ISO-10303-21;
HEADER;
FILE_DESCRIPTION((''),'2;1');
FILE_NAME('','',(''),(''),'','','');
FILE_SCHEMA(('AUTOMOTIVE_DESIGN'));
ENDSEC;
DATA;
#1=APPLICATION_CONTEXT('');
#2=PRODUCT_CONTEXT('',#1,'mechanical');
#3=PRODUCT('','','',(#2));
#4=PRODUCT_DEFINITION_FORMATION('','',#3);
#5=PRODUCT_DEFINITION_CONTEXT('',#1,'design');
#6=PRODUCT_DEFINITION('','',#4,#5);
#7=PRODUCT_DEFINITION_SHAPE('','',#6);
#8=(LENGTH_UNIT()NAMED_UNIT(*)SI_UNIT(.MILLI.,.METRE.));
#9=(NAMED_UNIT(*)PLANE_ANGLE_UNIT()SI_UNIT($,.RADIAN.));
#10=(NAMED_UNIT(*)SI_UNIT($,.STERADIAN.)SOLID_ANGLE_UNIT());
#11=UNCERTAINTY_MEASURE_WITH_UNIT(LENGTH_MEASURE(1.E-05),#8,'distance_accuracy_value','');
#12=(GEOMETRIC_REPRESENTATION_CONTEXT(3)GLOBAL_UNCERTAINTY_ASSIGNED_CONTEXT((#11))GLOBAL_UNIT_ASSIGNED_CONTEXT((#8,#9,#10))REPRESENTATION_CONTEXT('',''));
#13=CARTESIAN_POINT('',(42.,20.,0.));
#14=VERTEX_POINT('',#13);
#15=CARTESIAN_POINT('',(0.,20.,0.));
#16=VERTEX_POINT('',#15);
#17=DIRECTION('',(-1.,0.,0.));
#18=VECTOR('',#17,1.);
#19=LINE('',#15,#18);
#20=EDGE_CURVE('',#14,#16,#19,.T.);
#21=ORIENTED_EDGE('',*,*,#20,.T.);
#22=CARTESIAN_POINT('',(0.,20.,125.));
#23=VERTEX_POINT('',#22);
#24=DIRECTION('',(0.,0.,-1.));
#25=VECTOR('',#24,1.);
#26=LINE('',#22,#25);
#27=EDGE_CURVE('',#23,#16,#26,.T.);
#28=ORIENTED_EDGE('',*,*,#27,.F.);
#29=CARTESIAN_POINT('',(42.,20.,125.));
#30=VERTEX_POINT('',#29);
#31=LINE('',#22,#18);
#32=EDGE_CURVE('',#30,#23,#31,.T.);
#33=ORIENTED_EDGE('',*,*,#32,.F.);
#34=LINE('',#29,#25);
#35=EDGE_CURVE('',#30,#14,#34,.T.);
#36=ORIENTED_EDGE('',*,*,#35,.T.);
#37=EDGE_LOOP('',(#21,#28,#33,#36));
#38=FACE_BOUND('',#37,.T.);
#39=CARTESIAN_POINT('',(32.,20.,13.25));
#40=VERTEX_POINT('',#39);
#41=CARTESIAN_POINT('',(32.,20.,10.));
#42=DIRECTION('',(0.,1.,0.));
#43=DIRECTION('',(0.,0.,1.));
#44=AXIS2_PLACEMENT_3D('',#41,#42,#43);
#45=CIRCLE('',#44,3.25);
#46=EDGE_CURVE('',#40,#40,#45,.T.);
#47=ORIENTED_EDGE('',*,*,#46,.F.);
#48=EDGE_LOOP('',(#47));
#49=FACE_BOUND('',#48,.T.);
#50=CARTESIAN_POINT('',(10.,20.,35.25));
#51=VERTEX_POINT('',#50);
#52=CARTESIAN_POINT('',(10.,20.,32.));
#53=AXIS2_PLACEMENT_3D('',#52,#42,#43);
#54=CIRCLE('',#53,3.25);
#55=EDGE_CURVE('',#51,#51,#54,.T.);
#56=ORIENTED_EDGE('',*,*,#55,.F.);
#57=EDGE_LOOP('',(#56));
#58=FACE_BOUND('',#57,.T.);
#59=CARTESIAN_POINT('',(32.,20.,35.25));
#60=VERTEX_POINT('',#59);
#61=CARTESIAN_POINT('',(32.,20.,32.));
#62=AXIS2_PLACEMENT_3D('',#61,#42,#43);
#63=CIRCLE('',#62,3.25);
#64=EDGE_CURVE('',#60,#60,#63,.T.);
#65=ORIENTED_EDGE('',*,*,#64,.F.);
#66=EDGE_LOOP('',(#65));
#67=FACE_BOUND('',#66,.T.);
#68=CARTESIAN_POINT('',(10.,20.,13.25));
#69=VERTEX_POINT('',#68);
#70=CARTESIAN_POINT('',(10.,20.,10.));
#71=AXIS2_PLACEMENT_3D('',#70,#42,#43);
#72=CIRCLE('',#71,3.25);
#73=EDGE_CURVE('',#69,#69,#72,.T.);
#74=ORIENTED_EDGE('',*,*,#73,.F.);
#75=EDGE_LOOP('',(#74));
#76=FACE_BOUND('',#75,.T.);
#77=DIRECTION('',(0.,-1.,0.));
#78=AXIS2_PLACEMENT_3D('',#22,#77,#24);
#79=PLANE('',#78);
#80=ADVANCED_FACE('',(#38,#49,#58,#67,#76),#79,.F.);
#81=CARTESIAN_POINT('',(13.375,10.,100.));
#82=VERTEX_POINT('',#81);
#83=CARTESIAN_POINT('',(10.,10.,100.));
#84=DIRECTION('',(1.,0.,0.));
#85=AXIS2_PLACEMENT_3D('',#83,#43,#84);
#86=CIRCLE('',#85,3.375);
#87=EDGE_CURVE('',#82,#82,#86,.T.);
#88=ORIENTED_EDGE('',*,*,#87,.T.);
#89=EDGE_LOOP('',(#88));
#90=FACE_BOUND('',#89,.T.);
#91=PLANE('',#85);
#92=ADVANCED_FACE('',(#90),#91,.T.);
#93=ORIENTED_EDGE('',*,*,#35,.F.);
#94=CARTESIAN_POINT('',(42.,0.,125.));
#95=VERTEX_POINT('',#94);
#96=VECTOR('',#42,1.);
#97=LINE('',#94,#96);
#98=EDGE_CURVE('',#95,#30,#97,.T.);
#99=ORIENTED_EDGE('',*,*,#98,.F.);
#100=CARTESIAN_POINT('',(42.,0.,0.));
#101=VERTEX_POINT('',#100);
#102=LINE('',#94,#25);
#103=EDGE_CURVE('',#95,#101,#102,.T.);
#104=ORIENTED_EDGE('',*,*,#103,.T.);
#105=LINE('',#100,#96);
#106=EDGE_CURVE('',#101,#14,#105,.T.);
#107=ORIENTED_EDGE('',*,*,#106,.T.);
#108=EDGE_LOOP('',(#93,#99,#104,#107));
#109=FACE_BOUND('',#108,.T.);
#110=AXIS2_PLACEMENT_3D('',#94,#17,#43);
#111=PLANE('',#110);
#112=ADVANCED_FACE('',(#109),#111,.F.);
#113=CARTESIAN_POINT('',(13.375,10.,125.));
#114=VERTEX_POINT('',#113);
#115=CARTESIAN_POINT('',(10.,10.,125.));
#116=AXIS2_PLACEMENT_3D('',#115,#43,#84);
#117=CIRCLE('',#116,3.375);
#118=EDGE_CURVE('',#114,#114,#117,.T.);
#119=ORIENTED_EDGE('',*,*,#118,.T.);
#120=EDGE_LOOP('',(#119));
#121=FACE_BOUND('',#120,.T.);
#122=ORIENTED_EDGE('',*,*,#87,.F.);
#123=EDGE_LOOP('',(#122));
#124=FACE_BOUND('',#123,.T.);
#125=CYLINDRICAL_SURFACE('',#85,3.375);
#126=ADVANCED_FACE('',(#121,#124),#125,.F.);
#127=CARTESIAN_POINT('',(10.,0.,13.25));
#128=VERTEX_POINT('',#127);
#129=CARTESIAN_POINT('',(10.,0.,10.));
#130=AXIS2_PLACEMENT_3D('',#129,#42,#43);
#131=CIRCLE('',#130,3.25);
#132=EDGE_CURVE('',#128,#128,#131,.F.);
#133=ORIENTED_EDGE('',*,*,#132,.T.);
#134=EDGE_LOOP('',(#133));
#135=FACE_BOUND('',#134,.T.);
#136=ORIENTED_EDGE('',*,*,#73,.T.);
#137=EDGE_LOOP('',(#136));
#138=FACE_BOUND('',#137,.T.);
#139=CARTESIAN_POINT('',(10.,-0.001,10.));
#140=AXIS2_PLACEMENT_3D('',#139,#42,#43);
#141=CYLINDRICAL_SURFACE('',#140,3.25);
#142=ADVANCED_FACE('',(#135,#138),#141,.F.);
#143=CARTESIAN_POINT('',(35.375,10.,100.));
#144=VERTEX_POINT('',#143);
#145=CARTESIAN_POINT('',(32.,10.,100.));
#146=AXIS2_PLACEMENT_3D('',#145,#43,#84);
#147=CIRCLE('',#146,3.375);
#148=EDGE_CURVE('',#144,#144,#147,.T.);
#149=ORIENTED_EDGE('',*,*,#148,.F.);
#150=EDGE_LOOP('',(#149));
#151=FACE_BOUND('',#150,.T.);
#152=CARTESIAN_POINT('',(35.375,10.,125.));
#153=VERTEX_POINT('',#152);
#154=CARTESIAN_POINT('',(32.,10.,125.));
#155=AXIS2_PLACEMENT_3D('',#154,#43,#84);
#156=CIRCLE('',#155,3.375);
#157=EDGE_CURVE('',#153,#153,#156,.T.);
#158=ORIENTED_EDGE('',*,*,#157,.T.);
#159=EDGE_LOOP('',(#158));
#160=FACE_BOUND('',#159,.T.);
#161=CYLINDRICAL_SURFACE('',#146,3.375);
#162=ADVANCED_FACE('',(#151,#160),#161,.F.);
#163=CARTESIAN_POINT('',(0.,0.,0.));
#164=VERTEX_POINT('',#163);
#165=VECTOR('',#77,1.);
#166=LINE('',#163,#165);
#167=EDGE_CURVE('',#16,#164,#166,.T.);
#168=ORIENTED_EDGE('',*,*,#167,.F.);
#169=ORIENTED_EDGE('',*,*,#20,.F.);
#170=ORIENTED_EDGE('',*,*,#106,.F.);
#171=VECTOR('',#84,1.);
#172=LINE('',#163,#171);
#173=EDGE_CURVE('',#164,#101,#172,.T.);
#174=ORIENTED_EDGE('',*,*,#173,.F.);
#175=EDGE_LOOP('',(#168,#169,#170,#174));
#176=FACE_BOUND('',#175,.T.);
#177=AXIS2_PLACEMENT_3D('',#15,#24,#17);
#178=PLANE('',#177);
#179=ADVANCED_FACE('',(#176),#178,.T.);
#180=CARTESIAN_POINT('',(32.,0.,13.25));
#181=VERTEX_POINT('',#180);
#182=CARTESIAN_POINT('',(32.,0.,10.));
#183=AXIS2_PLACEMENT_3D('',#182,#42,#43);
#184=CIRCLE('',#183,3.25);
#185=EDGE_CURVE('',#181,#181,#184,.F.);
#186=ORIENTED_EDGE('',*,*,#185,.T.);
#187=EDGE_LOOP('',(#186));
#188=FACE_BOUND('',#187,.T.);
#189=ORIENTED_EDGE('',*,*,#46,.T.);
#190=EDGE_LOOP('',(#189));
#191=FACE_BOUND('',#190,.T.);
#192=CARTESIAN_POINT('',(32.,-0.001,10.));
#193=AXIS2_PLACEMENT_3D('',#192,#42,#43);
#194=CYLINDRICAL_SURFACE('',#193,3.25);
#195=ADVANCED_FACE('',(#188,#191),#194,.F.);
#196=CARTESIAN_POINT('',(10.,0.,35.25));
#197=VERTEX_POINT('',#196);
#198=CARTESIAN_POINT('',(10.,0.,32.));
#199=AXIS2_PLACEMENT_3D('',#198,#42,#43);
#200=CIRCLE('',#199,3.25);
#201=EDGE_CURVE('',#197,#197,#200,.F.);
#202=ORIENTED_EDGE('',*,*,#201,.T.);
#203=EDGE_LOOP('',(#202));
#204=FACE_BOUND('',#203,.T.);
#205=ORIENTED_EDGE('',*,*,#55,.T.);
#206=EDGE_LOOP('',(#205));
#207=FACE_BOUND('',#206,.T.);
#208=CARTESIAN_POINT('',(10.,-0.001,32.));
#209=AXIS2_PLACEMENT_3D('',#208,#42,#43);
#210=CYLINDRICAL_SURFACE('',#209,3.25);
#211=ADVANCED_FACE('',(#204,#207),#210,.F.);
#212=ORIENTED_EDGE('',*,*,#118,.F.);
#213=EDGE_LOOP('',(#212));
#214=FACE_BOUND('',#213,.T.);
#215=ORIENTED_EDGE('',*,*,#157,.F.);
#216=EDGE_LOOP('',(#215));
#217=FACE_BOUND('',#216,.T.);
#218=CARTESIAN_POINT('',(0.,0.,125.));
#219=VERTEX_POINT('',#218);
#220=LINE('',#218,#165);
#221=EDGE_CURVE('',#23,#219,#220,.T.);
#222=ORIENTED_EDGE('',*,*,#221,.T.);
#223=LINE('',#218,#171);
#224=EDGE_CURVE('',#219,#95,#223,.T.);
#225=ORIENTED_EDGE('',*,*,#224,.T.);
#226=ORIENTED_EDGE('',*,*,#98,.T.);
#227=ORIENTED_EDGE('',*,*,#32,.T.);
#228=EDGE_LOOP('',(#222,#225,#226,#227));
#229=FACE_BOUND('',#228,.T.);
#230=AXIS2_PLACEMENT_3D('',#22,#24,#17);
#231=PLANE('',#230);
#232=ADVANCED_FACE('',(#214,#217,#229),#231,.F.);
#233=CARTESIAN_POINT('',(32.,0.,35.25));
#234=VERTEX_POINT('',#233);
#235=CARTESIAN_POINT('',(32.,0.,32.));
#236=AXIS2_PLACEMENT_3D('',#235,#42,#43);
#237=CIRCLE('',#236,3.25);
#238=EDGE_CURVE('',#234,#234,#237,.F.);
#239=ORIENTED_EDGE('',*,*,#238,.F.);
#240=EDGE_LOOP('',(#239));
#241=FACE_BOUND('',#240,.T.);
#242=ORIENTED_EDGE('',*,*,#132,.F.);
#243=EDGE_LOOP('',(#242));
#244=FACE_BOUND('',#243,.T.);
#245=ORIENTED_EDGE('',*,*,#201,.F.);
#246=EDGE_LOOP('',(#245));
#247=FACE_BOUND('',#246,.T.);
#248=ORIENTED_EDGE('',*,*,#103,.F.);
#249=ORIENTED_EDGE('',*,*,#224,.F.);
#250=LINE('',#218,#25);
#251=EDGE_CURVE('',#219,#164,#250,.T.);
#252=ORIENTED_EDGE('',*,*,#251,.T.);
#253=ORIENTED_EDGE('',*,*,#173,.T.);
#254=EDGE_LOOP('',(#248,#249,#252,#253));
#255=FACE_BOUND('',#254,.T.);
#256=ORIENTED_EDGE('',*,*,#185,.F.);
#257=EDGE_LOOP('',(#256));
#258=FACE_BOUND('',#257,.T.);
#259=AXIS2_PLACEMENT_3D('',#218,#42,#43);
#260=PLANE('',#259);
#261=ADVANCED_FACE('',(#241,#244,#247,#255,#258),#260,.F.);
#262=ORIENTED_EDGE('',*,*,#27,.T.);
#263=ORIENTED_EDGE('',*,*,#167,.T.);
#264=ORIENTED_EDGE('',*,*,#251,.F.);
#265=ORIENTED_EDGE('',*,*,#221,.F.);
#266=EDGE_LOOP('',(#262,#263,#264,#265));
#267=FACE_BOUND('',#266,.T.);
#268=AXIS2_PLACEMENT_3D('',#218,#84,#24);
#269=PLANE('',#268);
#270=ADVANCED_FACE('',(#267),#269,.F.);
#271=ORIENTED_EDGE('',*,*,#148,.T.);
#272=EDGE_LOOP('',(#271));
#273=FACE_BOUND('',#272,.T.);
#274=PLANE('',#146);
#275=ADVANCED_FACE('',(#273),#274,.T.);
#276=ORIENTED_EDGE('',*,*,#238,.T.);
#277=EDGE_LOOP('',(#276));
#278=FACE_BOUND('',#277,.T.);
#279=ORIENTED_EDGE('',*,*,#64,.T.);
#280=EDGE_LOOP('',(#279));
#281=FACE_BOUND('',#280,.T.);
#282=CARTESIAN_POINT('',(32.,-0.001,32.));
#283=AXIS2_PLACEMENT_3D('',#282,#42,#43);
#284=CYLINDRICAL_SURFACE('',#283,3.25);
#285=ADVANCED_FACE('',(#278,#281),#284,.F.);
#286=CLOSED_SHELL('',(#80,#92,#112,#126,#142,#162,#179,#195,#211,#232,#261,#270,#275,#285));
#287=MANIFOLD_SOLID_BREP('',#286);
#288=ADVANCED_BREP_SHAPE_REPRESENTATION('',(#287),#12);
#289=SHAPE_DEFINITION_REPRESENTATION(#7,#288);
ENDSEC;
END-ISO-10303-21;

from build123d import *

# Parameters (mm, degrees)
ESQUISSE1_W             = 42
ESQUISSE1_H             = 20
BASE_EXTRUSION_DEPTH    = 125
ENL_V_MAT_EXTRU_1_REACH = 135.375
ESQUISSE2_R             = 3.25
ESQUISSE3_R             = 3.375
ENL_V_MAT_EXTRU_2_DEPTH = 25


with BuildPart() as part:
    # Esquisse1 → Base-Extrusion (new body)
    with BuildSketch(Plane.XY):
        with Locations((21, 10)):
            Rectangle(ESQUISSE1_W, ESQUISSE1_H)
    extrude(amount=BASE_EXTRUSION_DEPTH)

    # Esquisse2 → Enlèv. mat.-Extru.1 (cut, up to next)
    with BuildSketch(Plane(origin=(0, 20, 0), x_dir=(-1, 0, 0), z_dir=(0, 1, 0)), mode=Mode.PRIVATE) as enl_v_mat_extru_1_sk1:
        with Locations(Location((-10, 10, 0), (0, 0, 90))):
            Circle(ESQUISSE2_R)
    enl_v_mat_extru_1_tool1 = extrude(enl_v_mat_extru_1_sk1.sketch, amount=-ENL_V_MAT_EXTRU_1_REACH, mode=Mode.PRIVATE) & part.part
    # Esquisse2 → Enlèv. mat.-Extru.1 (cut, up to next)
    with BuildSketch(Plane(origin=(0, 20, 0), x_dir=(-1, 0, 0), z_dir=(0, 1, 0)), mode=Mode.PRIVATE) as enl_v_mat_extru_1_sk2:
        with Locations(Location((-32, 10, 0), (0, 0, 90))):
            Circle(ESQUISSE2_R)
    enl_v_mat_extru_1_tool2 = extrude(enl_v_mat_extru_1_sk2.sketch, amount=-ENL_V_MAT_EXTRU_1_REACH, mode=Mode.PRIVATE) & part.part
    # Esquisse2 → Enlèv. mat.-Extru.1 (cut, up to next)
    with BuildSketch(Plane(origin=(0, 20, 0), x_dir=(-1, 0, 0), z_dir=(0, 1, 0)), mode=Mode.PRIVATE) as enl_v_mat_extru_1_sk3:
        with Locations(Location((-10, 32, 0), (0, 0, 90))):
            Circle(ESQUISSE2_R)
    enl_v_mat_extru_1_tool3 = extrude(enl_v_mat_extru_1_sk3.sketch, amount=-ENL_V_MAT_EXTRU_1_REACH, mode=Mode.PRIVATE) & part.part
    # Esquisse2 → Enlèv. mat.-Extru.1 (cut, up to next)
    with BuildSketch(Plane(origin=(0, 20, 0), x_dir=(-1, 0, 0), z_dir=(0, 1, 0)), mode=Mode.PRIVATE) as enl_v_mat_extru_1_sk4:
        with Locations(Location((-32, 32, 0), (0, 0, 90))):
            Circle(ESQUISSE2_R)
    enl_v_mat_extru_1_tool4 = extrude(enl_v_mat_extru_1_sk4.sketch, amount=-ENL_V_MAT_EXTRU_1_REACH, mode=Mode.PRIVATE) & part.part
    add(enl_v_mat_extru_1_tool1.solids().sort_by_distance((10, 20, 10))[0], mode=Mode.SUBTRACT)
    add(enl_v_mat_extru_1_tool2.solids().sort_by_distance((32, 20, 10))[0], mode=Mode.SUBTRACT)
    add(enl_v_mat_extru_1_tool3.solids().sort_by_distance((10, 20, 32))[0], mode=Mode.SUBTRACT)
    add(enl_v_mat_extru_1_tool4.solids().sort_by_distance((32, 20, 32))[0], mode=Mode.SUBTRACT)

    # Esquisse3 → Enlèv. mat.-Extru.2 (cut)
    with BuildSketch(Plane.XY.offset(125)):
        with Locations((10, 10)):
            Circle(ESQUISSE3_R)
        with Locations((32, 10)):
            Circle(ESQUISSE3_R)
    extrude(amount=-ENL_V_MAT_EXTRU_2_DEPTH, mode=Mode.SUBTRACT)


solid = part.part
